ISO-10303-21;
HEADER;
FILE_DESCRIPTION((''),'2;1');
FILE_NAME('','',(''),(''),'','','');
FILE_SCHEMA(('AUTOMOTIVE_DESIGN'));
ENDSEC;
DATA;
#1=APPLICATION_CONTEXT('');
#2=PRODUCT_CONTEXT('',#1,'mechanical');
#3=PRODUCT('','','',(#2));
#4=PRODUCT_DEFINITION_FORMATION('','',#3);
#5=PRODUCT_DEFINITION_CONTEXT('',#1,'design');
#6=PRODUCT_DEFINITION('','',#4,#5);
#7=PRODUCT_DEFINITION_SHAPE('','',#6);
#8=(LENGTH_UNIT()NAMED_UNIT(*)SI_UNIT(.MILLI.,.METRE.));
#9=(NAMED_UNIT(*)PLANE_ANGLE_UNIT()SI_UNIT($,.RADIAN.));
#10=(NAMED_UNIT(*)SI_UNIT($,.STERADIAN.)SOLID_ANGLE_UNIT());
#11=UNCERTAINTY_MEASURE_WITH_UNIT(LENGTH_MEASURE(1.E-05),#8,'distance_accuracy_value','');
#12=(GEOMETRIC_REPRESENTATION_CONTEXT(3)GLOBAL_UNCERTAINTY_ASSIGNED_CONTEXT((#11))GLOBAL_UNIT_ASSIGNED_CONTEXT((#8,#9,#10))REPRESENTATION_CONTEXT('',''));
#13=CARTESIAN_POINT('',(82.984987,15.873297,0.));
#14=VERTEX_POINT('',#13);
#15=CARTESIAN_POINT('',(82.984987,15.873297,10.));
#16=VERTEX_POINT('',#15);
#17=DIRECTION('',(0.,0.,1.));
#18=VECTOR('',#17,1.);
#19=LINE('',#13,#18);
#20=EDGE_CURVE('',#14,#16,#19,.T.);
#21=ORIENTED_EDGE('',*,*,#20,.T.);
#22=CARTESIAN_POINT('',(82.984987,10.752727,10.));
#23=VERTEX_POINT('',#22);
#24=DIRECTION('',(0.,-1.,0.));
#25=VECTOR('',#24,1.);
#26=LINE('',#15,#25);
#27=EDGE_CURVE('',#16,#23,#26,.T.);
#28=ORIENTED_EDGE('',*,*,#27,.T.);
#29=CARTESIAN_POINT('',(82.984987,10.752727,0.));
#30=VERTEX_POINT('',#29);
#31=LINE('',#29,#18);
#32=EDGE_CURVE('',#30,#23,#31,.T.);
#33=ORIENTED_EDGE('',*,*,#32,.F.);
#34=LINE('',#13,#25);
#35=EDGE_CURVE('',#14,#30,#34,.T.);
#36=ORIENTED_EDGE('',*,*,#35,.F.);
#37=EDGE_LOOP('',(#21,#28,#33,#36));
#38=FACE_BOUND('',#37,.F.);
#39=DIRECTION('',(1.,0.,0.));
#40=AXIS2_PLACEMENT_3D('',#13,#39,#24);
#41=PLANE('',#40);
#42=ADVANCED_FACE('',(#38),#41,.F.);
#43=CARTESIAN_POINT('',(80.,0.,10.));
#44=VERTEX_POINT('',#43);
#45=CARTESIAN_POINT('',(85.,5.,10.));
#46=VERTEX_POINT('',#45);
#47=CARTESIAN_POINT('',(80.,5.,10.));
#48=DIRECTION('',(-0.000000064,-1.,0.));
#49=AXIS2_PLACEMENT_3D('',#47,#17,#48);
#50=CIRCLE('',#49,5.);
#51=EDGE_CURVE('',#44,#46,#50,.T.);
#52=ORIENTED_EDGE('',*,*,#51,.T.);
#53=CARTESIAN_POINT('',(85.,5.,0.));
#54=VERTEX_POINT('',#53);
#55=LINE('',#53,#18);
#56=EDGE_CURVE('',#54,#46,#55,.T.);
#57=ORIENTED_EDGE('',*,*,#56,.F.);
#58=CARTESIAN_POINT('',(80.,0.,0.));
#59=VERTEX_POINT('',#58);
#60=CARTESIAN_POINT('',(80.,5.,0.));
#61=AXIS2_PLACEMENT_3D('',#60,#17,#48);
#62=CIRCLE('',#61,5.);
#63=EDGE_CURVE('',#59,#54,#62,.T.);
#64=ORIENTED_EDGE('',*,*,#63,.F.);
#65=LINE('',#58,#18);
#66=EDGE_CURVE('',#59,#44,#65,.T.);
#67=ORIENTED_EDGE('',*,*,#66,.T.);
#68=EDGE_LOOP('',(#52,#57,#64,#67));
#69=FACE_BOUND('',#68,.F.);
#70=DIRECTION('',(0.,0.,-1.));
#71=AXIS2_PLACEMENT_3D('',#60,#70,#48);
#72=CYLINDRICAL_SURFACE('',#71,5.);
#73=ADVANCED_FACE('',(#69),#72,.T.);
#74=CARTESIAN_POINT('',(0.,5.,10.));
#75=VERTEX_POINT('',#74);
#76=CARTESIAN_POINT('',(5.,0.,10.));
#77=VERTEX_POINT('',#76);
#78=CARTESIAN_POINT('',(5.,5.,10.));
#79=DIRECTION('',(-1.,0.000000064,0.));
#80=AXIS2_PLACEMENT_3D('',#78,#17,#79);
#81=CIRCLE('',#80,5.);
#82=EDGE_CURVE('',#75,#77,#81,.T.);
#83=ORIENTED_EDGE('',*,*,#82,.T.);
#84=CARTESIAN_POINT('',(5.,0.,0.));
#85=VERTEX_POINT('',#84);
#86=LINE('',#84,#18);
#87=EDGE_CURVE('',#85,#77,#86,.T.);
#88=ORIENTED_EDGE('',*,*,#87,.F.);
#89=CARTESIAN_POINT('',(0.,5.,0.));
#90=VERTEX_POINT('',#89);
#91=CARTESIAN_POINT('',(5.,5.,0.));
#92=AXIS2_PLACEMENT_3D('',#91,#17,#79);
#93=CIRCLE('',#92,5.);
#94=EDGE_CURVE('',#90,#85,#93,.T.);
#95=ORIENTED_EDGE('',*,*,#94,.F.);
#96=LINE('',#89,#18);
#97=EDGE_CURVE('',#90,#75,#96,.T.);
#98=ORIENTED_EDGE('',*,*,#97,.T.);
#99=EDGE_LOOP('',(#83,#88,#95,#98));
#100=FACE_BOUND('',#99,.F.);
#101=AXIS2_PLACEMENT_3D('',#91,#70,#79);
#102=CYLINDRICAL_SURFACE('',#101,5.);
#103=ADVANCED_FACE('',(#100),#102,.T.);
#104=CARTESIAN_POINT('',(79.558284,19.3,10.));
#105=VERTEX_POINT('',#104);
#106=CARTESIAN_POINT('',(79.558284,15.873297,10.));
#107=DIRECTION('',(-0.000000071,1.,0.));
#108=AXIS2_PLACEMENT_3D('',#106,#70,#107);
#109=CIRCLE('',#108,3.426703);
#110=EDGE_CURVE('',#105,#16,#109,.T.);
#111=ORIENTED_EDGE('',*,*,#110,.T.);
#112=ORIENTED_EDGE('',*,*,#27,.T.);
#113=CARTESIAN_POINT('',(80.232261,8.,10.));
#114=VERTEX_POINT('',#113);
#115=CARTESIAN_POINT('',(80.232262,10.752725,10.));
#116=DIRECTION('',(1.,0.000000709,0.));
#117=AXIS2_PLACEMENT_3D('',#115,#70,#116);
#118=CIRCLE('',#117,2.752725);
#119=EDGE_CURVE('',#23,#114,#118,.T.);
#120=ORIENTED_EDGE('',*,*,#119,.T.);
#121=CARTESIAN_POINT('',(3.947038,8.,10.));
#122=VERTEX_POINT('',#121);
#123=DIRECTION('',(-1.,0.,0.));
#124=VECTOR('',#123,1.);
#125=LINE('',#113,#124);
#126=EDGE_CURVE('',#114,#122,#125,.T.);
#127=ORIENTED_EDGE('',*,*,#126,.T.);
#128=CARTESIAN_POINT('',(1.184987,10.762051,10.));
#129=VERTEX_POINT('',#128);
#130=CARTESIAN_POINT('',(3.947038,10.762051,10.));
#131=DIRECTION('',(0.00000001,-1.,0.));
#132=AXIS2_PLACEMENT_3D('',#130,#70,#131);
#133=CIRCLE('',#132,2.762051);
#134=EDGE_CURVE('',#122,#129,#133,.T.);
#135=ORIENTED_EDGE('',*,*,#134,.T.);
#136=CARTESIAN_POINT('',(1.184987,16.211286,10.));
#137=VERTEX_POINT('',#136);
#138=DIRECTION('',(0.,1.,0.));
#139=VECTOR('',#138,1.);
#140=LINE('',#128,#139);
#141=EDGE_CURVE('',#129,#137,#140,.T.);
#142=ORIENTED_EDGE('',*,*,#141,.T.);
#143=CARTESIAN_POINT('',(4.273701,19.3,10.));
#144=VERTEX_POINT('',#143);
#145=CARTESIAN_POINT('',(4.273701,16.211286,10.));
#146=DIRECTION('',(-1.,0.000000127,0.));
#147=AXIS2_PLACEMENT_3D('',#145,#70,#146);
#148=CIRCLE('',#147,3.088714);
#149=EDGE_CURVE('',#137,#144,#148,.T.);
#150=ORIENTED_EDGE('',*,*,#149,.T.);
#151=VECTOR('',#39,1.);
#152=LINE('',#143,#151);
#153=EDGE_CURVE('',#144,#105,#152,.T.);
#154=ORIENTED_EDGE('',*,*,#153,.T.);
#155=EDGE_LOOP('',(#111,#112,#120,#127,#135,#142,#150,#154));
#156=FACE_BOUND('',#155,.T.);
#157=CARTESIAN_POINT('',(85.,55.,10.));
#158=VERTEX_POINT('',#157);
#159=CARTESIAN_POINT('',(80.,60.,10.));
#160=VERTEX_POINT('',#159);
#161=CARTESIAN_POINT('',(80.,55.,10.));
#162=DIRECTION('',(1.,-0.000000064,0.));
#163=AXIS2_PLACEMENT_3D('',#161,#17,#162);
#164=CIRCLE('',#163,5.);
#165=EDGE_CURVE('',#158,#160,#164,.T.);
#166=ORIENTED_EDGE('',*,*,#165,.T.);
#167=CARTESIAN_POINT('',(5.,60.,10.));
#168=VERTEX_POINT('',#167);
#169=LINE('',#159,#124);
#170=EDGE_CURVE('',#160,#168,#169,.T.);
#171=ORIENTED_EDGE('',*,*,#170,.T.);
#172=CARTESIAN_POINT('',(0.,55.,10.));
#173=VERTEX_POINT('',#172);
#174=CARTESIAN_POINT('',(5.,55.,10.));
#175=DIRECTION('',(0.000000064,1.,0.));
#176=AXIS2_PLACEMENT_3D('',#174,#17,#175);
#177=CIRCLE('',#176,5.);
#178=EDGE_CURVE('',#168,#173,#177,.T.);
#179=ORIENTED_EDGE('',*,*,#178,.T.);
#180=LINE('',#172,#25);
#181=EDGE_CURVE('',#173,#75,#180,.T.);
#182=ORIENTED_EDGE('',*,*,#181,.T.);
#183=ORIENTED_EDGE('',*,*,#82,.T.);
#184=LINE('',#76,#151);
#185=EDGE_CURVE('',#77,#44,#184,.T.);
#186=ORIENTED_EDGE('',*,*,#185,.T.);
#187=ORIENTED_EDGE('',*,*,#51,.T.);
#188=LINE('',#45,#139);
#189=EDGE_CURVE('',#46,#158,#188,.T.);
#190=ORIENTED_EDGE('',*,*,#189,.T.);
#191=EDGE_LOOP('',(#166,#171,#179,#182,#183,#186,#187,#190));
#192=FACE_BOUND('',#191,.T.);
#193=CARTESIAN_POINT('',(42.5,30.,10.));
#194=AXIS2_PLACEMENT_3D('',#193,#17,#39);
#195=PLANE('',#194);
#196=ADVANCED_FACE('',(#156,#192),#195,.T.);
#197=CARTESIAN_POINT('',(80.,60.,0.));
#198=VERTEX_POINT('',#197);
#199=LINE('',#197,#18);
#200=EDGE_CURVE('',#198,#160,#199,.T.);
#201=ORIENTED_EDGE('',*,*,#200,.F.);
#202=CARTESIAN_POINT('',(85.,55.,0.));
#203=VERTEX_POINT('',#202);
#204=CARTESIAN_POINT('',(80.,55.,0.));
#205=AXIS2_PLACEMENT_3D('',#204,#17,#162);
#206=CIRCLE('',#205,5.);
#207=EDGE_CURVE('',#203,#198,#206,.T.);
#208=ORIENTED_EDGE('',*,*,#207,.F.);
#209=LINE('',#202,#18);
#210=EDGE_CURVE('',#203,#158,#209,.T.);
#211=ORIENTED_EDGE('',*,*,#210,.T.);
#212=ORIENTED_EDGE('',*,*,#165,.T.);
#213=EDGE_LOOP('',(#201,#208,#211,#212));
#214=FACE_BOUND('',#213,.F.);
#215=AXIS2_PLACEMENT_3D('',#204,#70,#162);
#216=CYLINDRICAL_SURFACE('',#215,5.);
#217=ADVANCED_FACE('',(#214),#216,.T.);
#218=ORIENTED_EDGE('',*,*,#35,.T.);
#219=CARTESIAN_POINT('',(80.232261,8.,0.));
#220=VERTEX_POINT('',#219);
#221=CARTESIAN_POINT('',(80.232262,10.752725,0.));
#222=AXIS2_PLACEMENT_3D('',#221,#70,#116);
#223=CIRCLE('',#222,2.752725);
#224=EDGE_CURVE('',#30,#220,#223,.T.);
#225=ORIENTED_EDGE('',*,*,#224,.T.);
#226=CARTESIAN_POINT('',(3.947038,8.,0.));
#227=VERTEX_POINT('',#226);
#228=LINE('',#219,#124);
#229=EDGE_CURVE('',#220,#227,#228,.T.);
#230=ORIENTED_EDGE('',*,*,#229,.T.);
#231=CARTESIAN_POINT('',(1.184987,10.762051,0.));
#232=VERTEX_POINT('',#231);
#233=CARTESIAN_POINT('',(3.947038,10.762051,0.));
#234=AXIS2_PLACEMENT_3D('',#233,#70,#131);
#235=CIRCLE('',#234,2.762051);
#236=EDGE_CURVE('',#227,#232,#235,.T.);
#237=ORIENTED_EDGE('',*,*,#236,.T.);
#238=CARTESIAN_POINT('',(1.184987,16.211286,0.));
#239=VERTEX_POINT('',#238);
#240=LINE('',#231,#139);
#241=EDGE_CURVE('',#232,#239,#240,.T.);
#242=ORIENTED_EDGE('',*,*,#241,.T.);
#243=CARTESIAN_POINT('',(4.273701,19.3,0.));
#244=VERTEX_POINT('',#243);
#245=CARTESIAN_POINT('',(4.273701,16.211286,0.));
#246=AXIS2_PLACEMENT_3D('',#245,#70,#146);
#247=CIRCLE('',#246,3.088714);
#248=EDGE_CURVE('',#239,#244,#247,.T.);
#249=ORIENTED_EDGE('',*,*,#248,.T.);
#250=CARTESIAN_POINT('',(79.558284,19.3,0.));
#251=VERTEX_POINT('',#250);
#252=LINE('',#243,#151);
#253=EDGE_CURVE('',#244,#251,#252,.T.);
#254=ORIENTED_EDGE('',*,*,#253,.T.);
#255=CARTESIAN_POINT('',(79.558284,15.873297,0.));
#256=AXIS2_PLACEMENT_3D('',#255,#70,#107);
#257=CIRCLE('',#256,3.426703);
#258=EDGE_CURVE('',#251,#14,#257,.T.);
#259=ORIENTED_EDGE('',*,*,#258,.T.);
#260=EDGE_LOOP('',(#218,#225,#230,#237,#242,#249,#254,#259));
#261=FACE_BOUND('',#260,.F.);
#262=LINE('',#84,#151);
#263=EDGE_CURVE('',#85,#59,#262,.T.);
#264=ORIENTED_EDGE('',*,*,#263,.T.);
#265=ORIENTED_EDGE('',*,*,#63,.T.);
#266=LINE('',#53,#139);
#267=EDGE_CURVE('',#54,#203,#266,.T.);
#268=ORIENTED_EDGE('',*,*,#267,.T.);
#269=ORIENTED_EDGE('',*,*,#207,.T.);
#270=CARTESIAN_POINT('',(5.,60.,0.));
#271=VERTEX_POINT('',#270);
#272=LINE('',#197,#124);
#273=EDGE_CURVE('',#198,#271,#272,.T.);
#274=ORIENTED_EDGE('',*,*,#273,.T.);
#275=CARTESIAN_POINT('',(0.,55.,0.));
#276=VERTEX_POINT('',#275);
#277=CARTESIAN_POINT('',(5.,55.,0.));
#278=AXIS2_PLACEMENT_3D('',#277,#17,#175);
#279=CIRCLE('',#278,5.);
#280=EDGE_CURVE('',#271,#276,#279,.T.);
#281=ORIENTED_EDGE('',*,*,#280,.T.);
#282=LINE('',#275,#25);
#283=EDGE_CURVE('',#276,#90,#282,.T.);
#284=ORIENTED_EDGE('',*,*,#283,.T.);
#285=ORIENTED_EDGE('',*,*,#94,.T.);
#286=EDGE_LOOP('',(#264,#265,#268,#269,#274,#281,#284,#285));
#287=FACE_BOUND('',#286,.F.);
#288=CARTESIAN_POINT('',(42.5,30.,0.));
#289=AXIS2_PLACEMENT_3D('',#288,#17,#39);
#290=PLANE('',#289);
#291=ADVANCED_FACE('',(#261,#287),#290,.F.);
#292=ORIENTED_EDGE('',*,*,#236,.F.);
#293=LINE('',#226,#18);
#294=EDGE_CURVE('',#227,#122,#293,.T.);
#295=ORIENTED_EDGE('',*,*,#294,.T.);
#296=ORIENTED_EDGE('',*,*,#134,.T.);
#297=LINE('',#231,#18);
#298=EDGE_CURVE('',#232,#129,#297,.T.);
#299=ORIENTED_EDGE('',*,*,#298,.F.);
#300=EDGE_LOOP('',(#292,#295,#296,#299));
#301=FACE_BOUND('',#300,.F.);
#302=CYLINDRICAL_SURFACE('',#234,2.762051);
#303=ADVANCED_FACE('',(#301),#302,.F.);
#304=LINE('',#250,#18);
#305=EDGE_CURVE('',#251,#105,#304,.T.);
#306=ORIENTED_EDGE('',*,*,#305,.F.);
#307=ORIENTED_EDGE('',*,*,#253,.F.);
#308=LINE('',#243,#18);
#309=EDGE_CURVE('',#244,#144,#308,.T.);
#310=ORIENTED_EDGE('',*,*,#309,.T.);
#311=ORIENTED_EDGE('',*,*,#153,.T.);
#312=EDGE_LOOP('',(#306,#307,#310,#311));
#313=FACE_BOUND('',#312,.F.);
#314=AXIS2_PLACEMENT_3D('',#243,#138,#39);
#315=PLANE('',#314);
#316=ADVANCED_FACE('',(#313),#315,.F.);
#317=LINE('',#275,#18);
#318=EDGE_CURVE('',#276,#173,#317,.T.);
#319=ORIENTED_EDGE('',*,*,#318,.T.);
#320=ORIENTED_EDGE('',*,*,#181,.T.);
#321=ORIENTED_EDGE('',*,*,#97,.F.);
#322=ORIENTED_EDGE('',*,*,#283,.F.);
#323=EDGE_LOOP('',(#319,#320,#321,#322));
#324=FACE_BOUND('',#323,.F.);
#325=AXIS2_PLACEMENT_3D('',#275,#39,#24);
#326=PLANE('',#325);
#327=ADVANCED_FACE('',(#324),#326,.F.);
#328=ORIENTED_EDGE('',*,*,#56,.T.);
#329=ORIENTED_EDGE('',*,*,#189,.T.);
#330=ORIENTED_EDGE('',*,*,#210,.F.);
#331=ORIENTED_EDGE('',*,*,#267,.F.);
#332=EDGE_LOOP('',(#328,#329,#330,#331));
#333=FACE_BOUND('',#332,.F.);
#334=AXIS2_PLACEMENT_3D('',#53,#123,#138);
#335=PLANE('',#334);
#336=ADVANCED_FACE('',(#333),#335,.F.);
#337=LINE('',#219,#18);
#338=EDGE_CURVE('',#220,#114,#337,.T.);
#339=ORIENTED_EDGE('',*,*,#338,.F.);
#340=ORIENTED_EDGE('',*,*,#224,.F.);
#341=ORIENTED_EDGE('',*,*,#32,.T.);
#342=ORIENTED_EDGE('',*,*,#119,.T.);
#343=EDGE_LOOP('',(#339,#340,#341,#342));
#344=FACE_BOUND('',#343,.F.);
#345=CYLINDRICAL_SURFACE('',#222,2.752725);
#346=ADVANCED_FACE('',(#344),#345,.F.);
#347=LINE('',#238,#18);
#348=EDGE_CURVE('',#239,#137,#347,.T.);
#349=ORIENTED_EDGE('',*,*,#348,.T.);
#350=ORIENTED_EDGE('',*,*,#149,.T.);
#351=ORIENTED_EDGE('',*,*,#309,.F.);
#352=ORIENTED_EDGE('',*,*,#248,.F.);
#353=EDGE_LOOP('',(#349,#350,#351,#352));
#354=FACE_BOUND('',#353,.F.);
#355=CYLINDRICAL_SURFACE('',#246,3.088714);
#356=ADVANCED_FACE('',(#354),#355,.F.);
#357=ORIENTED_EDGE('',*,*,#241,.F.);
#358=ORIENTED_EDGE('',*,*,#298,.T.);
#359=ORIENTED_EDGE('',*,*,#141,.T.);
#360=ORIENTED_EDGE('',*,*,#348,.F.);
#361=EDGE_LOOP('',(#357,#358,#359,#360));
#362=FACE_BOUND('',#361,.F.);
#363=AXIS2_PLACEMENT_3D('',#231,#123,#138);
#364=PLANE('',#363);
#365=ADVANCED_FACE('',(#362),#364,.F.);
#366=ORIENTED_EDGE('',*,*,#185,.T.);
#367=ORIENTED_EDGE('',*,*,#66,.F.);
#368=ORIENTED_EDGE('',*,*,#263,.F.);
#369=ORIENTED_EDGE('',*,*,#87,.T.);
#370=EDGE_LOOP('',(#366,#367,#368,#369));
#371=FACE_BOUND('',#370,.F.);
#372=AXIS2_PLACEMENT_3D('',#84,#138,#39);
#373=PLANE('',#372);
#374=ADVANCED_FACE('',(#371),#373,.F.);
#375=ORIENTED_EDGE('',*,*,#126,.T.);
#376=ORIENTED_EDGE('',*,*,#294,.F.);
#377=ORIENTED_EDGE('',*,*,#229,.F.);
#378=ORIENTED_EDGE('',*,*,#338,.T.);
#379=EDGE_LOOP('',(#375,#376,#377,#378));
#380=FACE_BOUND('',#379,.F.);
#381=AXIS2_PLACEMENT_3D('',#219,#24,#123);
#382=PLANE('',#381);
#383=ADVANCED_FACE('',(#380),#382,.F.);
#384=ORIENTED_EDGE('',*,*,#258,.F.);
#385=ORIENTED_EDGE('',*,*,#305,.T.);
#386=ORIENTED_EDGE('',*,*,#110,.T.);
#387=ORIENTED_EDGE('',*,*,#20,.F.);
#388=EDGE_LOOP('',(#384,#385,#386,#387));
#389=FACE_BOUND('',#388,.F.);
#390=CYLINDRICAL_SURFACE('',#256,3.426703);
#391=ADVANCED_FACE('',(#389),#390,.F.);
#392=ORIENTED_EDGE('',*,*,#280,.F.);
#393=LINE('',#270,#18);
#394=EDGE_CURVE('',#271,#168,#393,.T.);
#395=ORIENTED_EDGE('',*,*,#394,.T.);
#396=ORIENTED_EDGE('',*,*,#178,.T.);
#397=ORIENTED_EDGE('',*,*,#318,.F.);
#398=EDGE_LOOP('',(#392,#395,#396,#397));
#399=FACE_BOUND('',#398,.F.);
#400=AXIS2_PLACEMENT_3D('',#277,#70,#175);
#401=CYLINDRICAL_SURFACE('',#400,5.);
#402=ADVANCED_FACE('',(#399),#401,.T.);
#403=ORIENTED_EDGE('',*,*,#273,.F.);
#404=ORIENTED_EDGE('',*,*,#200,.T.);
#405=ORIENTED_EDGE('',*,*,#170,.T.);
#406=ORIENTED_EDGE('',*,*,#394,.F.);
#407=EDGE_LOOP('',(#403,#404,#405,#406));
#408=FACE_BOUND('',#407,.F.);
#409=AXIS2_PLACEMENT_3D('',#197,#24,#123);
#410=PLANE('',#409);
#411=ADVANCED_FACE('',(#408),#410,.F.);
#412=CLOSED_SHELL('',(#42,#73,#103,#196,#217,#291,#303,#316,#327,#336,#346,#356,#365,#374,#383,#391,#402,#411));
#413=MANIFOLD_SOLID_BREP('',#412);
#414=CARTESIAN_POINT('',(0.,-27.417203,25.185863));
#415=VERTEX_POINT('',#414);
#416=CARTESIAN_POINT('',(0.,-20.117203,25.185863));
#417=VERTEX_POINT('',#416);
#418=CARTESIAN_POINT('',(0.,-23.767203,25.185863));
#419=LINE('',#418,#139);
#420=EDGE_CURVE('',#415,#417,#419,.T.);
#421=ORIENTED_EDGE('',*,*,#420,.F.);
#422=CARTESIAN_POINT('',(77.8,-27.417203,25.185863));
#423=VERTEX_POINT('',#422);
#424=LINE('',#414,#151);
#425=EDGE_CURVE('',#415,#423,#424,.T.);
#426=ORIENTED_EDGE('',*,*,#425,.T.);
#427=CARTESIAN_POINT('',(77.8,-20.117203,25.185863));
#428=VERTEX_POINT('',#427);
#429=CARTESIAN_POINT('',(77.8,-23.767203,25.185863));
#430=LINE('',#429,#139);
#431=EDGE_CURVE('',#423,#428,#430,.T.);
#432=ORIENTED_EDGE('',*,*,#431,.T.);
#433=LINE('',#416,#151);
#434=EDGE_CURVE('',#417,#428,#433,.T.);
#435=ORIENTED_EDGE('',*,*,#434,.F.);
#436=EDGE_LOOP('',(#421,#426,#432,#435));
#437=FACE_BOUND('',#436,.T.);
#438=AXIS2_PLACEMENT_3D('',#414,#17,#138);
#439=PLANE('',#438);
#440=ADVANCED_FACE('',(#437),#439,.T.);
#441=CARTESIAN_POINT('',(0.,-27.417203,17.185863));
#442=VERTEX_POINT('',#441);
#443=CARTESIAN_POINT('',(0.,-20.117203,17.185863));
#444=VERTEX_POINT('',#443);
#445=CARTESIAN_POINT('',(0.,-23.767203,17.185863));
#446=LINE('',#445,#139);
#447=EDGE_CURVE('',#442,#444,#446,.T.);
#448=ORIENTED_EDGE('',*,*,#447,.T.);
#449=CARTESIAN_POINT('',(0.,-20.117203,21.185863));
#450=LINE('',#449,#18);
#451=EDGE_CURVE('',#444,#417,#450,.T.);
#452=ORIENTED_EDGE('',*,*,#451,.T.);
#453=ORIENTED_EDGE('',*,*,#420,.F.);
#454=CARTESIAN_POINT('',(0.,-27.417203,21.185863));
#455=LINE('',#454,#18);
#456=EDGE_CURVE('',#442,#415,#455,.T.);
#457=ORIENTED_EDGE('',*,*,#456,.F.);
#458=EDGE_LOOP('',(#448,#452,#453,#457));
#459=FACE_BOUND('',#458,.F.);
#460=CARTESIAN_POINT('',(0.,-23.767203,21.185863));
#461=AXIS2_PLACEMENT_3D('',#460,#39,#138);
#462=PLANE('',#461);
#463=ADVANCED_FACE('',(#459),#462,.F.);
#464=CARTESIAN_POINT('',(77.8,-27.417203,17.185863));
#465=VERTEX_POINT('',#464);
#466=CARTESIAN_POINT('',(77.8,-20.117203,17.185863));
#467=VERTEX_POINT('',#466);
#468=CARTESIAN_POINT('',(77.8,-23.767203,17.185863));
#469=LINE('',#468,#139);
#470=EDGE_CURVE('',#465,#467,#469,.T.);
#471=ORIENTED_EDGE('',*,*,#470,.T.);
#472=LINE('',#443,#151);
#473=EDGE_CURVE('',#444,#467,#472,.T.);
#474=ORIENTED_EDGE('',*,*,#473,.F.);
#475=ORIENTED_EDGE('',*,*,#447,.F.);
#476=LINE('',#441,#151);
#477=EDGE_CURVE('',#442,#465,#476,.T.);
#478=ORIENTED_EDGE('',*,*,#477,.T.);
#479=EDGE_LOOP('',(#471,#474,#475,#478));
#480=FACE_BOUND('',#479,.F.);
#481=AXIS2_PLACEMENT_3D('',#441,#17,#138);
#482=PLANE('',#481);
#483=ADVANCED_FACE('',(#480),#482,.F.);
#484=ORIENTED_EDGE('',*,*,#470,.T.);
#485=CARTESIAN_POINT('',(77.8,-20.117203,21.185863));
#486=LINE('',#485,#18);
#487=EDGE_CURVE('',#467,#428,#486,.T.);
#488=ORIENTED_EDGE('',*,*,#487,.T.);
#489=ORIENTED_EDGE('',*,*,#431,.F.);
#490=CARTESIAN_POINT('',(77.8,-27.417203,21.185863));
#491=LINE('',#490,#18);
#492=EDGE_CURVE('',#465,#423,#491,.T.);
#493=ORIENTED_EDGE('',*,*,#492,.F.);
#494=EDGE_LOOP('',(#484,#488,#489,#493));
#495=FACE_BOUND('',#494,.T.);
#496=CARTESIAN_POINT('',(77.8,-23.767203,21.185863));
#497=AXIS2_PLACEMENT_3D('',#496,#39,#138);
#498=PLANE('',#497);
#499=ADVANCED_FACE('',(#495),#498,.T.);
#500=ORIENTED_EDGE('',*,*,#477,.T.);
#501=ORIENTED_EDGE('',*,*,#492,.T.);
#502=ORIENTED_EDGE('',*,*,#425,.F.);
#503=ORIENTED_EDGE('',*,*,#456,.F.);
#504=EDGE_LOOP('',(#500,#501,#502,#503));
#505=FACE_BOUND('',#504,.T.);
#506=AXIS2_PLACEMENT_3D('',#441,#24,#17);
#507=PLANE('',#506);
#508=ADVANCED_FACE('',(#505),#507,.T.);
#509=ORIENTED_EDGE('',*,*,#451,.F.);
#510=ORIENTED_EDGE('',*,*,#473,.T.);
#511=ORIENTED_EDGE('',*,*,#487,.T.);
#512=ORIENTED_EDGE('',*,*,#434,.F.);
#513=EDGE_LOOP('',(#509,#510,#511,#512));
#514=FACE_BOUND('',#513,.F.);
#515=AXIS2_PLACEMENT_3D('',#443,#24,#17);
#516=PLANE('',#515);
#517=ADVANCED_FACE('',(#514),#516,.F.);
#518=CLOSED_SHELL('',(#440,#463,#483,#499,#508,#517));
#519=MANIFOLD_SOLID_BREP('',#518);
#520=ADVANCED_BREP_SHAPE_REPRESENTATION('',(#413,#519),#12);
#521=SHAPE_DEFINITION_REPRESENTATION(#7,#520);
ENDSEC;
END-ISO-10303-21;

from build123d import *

# Parameters (mm, degrees)
F1_DEPTH = 10
F2_W     = 7.3
F2_H     = 8
F3_DEPTH = 77.8


with BuildPart() as f1:
    # F0 (on Top) → F1 (new body)
    with BuildSketch(Plane.XY):
        with BuildLine():
            ThreePointArc((0, 5), (1.464466, 1.464466), (5, 0))
            Line((5, 0), (80, 0))
            ThreePointArc((80, 0), (83.535534, 1.464466), (85, 5))
            Line((85, 5), (85, 55))
            ThreePointArc((85, 55), (83.535534, 58.535534), (80, 60))
            Line((80, 60), (5, 60))
            ThreePointArc((5, 60), (1.464466, 58.535534), (0, 55))
            Line((0, 55), (0, 5))
        make_face()
        with BuildLine():
            Line((80.232261, 8), (3.947038, 8))
            ThreePointArc((3.947038, 8), (1.993973, 8.808986), (1.184987, 10.762051))
            Line((1.184987, 10.762051), (1.184987, 16.211286))
            ThreePointArc((1.184987, 16.211286), (2.089651, 18.395337), (4.273701, 19.3))
            Line((4.273701, 19.3), (79.558284, 19.3))
            ThreePointArc((79.558284, 19.3), (81.981329, 18.296342), (82.984987, 15.873297))
            Line((82.984987, 15.873297), (82.984987, 10.752727))
            ThreePointArc((82.984987, 10.752727), (82.178733, 8.806255), (80.232261, 8))
        make_face(mode=Mode.SUBTRACT)
    extrude(amount=F1_DEPTH)


with BuildPart() as f3:
    # F2 (on Right) → F3 (new body)
    with BuildSketch(Plane.YZ):
        with Locations((-23.767203, 21.185863)):
            Rectangle(F2_W, F2_H)
    extrude(amount=F3_DEPTH)


solid = Compound([f1.part, f3.part])
